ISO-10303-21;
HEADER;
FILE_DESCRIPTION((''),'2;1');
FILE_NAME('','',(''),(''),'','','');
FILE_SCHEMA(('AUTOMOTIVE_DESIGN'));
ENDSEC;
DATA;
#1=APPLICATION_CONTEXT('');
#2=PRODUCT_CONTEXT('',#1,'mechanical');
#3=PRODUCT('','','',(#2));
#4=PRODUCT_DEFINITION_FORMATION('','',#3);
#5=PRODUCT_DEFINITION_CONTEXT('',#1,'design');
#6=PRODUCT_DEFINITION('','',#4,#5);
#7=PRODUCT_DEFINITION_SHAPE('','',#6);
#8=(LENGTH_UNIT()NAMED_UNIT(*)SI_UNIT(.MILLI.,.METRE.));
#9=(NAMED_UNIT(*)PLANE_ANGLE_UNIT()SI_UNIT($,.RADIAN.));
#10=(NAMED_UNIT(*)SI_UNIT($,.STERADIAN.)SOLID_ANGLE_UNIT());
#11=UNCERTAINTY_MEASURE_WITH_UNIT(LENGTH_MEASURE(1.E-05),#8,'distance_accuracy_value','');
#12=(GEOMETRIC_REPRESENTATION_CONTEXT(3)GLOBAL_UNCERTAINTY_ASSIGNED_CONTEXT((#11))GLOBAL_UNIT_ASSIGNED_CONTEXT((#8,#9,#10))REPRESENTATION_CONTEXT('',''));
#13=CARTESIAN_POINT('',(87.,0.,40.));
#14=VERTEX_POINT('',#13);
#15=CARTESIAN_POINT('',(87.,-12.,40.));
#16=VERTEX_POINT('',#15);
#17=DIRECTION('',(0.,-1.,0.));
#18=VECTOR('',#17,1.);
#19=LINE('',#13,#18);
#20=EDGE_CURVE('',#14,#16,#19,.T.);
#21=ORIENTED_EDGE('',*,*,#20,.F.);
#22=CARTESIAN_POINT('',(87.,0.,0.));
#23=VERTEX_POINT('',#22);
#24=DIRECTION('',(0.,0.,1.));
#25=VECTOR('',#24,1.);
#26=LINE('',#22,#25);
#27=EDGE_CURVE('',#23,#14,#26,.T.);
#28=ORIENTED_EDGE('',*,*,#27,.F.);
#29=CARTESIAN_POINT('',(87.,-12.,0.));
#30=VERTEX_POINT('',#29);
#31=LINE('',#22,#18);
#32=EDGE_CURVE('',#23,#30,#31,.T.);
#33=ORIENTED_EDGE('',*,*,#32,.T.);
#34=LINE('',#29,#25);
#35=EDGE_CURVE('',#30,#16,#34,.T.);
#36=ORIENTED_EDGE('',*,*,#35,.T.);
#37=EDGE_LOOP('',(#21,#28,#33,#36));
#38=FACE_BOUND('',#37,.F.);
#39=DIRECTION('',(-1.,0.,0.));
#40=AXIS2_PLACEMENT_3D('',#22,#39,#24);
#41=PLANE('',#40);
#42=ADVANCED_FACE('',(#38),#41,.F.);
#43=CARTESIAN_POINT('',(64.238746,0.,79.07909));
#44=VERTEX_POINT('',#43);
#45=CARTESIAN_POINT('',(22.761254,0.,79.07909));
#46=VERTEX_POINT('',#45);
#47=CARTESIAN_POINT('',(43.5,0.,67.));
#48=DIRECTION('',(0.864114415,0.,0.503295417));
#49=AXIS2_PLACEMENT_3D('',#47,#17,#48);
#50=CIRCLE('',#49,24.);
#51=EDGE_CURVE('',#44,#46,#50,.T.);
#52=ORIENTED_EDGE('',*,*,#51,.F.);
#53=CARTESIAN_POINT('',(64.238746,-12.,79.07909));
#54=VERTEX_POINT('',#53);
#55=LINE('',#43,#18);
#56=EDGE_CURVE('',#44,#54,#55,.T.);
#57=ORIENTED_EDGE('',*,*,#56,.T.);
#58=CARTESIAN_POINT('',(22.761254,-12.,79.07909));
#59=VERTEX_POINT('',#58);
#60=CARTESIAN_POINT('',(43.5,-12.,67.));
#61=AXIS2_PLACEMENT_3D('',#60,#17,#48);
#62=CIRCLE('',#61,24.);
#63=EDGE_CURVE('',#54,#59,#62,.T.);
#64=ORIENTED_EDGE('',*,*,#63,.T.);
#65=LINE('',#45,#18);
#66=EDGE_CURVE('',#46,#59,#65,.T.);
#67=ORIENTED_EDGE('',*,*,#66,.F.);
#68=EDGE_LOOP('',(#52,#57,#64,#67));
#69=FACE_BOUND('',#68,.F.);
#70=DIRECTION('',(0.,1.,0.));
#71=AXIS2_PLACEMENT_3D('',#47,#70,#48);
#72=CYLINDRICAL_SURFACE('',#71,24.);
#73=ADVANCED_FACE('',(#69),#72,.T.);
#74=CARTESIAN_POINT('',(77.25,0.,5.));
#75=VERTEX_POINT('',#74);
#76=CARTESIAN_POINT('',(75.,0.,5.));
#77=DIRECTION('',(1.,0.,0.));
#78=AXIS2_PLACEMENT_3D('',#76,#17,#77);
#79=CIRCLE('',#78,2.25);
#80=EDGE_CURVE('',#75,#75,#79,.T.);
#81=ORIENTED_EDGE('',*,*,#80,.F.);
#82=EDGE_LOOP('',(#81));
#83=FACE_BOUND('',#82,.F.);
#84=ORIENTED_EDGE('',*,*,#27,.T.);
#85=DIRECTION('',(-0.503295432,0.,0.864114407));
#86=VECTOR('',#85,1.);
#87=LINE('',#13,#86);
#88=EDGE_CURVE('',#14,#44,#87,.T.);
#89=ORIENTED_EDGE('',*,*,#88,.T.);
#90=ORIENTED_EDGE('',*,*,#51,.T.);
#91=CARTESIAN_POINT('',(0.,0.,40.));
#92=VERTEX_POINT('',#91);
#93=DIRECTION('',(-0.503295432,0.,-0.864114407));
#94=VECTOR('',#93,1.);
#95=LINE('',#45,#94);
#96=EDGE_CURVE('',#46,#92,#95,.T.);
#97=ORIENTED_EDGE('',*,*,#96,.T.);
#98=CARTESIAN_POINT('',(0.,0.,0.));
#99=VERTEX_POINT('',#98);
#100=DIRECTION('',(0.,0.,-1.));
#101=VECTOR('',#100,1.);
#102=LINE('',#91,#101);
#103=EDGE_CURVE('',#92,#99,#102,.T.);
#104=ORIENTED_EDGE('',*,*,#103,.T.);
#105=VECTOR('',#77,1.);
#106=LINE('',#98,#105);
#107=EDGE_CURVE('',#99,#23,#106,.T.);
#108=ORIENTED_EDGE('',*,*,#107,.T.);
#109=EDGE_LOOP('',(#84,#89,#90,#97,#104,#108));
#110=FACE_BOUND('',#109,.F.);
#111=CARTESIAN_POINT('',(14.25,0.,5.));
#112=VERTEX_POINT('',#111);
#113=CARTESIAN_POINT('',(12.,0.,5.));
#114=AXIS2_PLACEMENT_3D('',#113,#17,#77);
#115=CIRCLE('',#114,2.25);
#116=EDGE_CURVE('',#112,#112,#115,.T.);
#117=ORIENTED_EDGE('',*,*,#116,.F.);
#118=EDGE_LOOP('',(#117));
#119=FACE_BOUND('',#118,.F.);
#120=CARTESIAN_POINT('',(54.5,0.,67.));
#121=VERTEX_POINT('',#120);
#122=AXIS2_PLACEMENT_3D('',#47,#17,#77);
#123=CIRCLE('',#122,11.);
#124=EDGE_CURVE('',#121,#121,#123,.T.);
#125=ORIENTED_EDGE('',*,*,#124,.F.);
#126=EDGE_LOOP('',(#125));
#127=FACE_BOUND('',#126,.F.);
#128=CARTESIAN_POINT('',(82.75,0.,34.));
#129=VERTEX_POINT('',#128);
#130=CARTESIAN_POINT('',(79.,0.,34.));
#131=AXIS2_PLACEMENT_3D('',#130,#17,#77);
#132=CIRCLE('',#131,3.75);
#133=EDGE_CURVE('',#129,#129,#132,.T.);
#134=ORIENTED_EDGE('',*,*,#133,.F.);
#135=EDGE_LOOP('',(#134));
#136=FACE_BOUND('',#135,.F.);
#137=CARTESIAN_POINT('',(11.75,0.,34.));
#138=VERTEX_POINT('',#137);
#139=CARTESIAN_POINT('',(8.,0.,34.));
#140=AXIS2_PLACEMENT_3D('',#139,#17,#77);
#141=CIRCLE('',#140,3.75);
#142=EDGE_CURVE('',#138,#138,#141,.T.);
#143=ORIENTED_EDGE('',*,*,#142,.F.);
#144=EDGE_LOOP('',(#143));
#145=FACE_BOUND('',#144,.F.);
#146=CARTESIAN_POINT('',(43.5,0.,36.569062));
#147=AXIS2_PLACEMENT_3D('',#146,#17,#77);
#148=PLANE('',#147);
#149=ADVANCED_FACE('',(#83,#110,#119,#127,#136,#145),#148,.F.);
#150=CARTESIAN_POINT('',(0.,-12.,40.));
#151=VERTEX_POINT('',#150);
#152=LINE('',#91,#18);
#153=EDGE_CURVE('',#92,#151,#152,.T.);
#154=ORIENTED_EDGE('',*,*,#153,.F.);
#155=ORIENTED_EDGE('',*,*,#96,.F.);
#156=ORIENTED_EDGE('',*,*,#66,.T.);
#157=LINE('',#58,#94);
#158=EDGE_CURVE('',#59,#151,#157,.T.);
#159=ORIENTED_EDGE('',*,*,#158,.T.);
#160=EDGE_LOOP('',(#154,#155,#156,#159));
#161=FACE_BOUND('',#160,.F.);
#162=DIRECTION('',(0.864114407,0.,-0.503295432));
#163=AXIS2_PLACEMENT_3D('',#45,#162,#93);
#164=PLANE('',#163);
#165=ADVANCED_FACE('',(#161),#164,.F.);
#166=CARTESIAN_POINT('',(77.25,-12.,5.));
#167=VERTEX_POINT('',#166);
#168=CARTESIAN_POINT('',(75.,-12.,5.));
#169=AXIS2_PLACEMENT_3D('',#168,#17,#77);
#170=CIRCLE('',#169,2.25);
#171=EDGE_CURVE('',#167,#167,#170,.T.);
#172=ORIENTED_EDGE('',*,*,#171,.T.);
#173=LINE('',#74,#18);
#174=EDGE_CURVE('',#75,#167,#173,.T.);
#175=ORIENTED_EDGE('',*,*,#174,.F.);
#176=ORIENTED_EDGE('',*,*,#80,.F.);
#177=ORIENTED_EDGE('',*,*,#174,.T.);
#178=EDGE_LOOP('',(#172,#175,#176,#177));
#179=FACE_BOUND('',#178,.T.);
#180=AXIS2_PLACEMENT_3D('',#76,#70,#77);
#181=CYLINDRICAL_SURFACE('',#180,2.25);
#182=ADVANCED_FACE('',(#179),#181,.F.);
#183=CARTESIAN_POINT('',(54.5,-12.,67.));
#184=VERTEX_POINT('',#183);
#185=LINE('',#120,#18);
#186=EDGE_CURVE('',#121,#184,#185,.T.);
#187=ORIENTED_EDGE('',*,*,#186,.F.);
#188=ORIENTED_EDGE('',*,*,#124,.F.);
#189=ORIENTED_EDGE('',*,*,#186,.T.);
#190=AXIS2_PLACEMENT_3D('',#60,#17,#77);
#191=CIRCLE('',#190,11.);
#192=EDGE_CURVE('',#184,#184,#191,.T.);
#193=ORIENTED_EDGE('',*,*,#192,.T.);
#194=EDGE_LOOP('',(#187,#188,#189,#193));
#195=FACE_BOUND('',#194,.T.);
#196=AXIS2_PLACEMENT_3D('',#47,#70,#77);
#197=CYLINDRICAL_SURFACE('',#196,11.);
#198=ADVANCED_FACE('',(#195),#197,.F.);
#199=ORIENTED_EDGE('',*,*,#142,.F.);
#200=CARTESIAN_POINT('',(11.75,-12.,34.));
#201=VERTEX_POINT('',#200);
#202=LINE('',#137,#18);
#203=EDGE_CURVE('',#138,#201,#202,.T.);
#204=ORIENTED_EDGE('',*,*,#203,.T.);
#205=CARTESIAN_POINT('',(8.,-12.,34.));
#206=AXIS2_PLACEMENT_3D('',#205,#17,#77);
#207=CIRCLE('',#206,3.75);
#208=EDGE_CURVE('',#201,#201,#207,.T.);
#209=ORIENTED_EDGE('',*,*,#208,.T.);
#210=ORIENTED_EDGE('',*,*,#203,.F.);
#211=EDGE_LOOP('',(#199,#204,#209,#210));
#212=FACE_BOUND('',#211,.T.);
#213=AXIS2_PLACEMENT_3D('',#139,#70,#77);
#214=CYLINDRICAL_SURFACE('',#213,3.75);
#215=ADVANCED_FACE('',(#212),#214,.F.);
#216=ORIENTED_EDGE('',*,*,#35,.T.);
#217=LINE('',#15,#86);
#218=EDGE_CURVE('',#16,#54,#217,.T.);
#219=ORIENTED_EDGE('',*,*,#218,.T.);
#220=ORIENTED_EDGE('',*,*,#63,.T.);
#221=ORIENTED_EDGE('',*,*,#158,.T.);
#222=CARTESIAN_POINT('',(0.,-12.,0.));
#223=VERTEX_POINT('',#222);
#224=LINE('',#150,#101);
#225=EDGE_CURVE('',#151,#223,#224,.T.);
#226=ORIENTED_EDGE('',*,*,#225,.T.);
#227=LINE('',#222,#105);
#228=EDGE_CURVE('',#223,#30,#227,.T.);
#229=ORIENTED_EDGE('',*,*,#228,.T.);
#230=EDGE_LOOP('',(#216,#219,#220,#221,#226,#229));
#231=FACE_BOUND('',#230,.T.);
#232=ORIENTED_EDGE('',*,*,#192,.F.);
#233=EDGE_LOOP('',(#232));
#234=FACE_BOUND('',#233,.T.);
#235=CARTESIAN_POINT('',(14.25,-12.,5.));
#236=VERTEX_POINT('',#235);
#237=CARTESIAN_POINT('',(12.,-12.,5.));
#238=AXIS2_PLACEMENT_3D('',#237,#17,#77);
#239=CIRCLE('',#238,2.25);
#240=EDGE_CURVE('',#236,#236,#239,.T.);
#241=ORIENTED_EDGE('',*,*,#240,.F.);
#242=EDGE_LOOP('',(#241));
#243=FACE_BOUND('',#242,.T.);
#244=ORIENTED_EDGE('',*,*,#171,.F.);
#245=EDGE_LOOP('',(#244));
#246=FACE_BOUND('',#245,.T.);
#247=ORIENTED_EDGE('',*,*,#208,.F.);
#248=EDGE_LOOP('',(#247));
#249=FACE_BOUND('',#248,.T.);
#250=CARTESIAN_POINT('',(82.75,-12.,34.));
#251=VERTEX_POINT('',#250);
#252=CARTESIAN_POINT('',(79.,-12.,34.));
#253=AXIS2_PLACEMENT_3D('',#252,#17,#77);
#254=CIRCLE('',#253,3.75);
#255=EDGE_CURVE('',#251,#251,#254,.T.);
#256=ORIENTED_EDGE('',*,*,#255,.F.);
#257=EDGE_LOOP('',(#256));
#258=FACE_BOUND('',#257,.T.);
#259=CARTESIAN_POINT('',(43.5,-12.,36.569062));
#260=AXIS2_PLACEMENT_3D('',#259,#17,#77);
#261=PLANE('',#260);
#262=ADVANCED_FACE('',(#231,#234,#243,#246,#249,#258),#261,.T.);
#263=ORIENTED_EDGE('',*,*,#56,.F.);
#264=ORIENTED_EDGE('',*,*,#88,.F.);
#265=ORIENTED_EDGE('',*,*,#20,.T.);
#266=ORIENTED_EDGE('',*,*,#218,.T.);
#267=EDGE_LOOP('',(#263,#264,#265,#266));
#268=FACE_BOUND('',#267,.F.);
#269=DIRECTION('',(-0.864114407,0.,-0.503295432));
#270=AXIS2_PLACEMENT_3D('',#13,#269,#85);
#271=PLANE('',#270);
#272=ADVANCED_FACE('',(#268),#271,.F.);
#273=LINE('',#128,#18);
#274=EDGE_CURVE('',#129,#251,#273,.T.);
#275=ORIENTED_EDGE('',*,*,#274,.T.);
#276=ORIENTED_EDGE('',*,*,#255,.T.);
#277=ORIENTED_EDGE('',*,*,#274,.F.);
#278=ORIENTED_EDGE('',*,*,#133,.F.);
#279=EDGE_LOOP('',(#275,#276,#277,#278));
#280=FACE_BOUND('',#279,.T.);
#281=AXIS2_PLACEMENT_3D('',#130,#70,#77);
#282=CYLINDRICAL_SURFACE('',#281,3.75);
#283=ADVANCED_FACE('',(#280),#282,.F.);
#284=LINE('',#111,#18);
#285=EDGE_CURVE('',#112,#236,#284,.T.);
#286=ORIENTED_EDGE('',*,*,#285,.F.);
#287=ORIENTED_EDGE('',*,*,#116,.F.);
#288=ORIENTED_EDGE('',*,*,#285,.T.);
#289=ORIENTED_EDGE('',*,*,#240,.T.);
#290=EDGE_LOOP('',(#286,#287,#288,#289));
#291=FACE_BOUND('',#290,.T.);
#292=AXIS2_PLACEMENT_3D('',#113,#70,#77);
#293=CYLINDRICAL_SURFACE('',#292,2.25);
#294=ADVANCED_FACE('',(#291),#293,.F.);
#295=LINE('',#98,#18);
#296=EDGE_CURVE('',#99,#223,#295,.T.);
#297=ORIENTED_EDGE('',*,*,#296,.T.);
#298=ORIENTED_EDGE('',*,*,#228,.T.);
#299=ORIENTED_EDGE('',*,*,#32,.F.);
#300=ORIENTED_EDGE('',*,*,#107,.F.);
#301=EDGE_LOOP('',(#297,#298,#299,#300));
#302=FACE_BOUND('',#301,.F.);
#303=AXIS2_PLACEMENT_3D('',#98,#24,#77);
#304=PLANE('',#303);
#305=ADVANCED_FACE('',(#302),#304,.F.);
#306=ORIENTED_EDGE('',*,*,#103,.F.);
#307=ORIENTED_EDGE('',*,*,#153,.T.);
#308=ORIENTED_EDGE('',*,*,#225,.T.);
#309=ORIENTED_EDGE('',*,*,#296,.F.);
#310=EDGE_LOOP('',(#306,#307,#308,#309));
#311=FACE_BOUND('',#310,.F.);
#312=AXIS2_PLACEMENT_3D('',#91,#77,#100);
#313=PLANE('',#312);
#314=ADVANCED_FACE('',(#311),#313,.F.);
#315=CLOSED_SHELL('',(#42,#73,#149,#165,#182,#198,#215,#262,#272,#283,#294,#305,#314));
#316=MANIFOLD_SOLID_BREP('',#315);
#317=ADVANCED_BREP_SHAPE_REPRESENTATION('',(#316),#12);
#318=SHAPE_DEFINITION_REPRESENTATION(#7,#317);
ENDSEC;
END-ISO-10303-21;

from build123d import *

# Parameters (mm, degrees)
F0_R     = 2.25
F0_R_2   = 3.75
F0_R_3   = 11
F1_DEPTH = 12


with BuildPart() as f1:
    # F0 (on Front) → F1 (new body)
    with BuildSketch(Plane.XZ):
        with BuildLine():
            Line((0, 40), (0, 0))
            Line((0, 0), (87, 0))
            Line((87, 0), (87, 40))
            Line((87, 40), (64.238746, 79.07909))
            ThreePointArc((64.238746, 79.07909), (43.5, 91), (22.761254, 79.07909))
            Line((22.761254, 79.07909), (0, 40))
        make_face()
        with Locations((12, 5)):
            Circle(F0_R, mode=Mode.SUBTRACT)
        with Locations((8, 34)):
            Circle(F0_R_2, mode=Mode.SUBTRACT)
        with Locations((75, 5)):
            Circle(F0_R, mode=Mode.SUBTRACT)
        with Locations((79, 34)):
            Circle(F0_R_2, mode=Mode.SUBTRACT)
        with Locations((43.5, 67)):
            Circle(F0_R_3, mode=Mode.SUBTRACT)
    extrude(amount=F1_DEPTH)


solid = f1.part
